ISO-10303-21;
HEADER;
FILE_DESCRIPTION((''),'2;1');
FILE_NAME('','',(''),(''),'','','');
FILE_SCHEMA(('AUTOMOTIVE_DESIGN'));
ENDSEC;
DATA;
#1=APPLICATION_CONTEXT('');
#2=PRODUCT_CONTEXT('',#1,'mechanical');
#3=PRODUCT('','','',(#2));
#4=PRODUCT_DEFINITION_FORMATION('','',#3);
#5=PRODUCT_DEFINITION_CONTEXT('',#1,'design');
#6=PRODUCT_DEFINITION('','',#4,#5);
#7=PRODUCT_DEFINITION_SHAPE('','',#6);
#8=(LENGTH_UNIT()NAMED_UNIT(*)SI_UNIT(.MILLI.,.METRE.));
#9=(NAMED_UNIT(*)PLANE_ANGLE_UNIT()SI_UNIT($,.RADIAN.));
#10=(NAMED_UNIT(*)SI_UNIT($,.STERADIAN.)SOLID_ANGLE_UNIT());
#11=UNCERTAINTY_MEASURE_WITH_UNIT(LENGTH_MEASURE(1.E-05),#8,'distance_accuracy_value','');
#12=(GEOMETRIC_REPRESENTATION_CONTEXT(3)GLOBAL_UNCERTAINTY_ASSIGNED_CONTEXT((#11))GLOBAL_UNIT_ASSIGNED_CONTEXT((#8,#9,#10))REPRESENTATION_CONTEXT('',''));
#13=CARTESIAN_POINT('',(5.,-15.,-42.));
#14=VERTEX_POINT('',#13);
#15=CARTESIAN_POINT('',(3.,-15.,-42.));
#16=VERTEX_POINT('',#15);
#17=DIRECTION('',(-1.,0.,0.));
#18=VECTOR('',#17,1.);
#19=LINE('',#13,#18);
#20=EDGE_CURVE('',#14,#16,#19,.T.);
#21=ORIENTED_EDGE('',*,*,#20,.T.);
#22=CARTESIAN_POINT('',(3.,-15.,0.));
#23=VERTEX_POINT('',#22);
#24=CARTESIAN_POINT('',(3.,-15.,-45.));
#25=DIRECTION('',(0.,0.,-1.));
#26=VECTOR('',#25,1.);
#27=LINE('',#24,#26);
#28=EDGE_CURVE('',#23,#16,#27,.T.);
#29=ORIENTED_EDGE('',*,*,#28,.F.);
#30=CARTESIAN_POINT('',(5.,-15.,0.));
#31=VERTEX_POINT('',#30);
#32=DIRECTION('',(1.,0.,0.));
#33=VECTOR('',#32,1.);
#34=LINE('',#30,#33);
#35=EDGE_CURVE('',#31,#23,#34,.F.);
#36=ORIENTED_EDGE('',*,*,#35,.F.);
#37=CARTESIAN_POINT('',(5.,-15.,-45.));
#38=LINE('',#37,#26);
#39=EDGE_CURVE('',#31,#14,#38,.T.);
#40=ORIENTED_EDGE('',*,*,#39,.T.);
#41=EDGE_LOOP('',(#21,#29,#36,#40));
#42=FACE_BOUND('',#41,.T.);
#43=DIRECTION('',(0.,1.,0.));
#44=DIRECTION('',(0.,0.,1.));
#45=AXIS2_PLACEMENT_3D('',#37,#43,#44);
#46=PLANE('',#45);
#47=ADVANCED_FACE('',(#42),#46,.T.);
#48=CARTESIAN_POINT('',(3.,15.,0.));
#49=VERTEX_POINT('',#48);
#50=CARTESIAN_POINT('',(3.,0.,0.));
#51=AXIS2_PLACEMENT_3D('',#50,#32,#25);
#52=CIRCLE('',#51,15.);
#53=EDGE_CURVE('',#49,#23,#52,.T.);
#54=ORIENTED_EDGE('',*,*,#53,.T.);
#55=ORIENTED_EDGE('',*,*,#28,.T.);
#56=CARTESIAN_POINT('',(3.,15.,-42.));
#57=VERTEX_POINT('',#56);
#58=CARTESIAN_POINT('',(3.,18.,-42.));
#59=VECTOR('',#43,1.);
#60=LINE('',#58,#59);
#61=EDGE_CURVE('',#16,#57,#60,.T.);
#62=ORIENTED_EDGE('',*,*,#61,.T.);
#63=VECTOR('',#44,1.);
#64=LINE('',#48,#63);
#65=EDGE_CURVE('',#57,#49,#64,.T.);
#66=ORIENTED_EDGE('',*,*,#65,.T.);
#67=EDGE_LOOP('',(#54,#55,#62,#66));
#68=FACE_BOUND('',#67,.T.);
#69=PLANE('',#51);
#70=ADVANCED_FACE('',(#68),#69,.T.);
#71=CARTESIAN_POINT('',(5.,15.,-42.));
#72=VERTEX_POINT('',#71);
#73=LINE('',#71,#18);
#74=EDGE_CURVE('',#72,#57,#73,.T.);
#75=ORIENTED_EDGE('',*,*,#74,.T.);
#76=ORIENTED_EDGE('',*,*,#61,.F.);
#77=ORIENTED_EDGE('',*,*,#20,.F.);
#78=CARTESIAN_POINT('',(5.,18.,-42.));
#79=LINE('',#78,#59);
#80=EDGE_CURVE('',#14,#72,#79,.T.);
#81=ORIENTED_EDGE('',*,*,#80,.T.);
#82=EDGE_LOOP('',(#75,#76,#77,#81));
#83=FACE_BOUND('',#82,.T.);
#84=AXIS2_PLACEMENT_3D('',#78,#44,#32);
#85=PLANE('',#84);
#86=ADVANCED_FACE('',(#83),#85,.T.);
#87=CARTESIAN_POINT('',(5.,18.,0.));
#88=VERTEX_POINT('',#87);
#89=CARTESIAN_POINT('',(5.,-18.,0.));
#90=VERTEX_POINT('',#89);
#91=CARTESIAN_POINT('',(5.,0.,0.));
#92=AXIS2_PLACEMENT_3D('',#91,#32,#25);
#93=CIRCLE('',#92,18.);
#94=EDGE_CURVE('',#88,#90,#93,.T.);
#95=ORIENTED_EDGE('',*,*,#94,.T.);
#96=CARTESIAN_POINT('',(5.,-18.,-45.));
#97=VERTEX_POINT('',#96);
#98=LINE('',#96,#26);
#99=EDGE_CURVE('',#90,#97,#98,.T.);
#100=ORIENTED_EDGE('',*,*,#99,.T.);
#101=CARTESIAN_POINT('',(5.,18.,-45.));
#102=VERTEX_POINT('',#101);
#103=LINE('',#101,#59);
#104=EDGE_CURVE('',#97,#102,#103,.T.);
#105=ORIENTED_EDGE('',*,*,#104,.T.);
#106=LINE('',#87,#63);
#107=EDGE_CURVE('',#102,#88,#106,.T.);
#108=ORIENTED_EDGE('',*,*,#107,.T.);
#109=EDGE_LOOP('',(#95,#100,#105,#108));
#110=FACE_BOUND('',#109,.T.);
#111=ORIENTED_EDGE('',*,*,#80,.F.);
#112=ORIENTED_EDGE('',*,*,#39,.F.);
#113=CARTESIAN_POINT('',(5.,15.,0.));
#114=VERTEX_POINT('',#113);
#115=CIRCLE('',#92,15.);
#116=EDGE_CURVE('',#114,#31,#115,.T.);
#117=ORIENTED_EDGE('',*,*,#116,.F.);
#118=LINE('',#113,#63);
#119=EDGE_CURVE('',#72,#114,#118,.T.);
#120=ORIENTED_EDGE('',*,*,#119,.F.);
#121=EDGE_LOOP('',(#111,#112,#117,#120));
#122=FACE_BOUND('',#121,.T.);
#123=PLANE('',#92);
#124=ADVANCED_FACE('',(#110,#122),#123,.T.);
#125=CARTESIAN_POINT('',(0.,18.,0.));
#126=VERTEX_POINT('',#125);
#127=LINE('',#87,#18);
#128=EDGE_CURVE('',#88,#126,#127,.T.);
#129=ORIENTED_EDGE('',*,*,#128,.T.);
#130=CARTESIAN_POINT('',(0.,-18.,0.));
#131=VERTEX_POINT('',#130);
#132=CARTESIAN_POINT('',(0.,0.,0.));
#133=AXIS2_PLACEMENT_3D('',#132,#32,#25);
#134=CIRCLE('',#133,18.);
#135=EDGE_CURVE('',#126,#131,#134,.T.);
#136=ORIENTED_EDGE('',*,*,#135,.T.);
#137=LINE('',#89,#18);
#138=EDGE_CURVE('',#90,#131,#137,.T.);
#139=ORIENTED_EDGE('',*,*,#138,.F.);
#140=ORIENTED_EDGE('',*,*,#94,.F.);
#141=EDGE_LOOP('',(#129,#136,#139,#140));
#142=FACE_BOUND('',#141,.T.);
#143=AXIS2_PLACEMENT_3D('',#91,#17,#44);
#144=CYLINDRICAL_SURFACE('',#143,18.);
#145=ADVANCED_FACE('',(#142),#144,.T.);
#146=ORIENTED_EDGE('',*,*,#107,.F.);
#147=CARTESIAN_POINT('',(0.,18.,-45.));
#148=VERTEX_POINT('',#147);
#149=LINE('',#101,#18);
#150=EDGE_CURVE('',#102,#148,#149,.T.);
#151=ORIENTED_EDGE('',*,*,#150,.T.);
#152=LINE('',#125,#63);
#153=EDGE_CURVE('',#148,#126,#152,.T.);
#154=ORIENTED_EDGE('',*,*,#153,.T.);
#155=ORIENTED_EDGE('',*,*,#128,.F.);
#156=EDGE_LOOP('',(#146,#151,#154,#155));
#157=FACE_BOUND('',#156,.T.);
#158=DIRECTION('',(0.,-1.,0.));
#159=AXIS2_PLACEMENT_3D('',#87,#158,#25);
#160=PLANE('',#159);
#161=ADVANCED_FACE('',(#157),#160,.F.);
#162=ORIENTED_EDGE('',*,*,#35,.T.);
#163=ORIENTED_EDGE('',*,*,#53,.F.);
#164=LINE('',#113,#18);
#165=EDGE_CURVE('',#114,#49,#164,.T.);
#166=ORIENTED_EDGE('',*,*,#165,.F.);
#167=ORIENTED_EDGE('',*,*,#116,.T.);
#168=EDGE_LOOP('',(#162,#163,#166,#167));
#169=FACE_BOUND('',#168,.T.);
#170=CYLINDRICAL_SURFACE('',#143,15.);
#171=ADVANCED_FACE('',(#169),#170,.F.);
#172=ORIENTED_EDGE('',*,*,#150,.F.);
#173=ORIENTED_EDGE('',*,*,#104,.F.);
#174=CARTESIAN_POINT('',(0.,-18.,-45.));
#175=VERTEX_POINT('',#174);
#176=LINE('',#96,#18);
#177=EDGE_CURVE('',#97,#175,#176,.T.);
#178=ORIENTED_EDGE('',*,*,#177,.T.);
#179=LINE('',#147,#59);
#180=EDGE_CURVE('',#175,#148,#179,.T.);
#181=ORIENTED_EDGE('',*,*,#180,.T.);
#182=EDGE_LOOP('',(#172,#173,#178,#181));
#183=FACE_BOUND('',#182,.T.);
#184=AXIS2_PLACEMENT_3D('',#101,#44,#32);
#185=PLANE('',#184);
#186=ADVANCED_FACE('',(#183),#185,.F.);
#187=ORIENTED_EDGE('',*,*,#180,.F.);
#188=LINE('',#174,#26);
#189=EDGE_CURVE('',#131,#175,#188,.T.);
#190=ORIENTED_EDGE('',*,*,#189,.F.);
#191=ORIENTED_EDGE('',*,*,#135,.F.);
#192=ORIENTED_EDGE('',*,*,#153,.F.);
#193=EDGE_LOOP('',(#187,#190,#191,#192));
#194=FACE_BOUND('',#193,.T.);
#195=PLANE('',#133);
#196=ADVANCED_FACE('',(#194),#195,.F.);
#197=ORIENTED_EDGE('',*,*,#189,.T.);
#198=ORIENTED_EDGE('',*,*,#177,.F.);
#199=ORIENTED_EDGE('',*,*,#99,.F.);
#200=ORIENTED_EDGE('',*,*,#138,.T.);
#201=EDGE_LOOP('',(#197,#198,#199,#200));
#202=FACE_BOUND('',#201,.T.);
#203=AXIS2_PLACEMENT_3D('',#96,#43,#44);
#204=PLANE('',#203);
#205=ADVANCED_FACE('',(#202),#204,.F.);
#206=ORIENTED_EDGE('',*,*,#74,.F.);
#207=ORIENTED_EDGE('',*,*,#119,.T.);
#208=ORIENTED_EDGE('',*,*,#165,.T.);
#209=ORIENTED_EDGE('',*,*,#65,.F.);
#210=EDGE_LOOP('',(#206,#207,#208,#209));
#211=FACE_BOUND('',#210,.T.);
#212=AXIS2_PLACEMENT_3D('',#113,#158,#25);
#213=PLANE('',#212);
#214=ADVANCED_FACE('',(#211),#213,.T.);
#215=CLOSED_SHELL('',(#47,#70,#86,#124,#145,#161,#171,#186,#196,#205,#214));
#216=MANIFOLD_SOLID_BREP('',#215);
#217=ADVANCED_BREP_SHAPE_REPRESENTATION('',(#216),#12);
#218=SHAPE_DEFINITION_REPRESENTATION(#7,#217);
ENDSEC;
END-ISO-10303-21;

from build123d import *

# Parameters (mm, degrees)
BOSS_EXTRUDE1_DEPTH = 5
SHELL1_T            = -3


with BuildPart() as part:
    # Sketch1 → Boss-Extrude1 (new body)
    with BuildSketch(Plane(origin=(0, 0, 0), x_dir=(0, 0, -1), z_dir=(1, 0, 0))):
        with BuildLine():
            Line((0, 18), (45, 18))
            Line((45, 18), (45, -18))
            Line((45, -18), (0, -18))
            ThreePointArc((0, -18), (-18, 0), (0, 18))
        make_face()
    extrude(amount=BOSS_EXTRUDE1_DEPTH)

    # Shell1
    shell1_openings = [part.faces().sort_by_distance(p)[0] for p in [
        (5, 0, -15.294949805),
    ]]
    offset(amount=SHELL1_T, openings=shell1_openings, kind=Kind.INTERSECTION)


solid = part.part
